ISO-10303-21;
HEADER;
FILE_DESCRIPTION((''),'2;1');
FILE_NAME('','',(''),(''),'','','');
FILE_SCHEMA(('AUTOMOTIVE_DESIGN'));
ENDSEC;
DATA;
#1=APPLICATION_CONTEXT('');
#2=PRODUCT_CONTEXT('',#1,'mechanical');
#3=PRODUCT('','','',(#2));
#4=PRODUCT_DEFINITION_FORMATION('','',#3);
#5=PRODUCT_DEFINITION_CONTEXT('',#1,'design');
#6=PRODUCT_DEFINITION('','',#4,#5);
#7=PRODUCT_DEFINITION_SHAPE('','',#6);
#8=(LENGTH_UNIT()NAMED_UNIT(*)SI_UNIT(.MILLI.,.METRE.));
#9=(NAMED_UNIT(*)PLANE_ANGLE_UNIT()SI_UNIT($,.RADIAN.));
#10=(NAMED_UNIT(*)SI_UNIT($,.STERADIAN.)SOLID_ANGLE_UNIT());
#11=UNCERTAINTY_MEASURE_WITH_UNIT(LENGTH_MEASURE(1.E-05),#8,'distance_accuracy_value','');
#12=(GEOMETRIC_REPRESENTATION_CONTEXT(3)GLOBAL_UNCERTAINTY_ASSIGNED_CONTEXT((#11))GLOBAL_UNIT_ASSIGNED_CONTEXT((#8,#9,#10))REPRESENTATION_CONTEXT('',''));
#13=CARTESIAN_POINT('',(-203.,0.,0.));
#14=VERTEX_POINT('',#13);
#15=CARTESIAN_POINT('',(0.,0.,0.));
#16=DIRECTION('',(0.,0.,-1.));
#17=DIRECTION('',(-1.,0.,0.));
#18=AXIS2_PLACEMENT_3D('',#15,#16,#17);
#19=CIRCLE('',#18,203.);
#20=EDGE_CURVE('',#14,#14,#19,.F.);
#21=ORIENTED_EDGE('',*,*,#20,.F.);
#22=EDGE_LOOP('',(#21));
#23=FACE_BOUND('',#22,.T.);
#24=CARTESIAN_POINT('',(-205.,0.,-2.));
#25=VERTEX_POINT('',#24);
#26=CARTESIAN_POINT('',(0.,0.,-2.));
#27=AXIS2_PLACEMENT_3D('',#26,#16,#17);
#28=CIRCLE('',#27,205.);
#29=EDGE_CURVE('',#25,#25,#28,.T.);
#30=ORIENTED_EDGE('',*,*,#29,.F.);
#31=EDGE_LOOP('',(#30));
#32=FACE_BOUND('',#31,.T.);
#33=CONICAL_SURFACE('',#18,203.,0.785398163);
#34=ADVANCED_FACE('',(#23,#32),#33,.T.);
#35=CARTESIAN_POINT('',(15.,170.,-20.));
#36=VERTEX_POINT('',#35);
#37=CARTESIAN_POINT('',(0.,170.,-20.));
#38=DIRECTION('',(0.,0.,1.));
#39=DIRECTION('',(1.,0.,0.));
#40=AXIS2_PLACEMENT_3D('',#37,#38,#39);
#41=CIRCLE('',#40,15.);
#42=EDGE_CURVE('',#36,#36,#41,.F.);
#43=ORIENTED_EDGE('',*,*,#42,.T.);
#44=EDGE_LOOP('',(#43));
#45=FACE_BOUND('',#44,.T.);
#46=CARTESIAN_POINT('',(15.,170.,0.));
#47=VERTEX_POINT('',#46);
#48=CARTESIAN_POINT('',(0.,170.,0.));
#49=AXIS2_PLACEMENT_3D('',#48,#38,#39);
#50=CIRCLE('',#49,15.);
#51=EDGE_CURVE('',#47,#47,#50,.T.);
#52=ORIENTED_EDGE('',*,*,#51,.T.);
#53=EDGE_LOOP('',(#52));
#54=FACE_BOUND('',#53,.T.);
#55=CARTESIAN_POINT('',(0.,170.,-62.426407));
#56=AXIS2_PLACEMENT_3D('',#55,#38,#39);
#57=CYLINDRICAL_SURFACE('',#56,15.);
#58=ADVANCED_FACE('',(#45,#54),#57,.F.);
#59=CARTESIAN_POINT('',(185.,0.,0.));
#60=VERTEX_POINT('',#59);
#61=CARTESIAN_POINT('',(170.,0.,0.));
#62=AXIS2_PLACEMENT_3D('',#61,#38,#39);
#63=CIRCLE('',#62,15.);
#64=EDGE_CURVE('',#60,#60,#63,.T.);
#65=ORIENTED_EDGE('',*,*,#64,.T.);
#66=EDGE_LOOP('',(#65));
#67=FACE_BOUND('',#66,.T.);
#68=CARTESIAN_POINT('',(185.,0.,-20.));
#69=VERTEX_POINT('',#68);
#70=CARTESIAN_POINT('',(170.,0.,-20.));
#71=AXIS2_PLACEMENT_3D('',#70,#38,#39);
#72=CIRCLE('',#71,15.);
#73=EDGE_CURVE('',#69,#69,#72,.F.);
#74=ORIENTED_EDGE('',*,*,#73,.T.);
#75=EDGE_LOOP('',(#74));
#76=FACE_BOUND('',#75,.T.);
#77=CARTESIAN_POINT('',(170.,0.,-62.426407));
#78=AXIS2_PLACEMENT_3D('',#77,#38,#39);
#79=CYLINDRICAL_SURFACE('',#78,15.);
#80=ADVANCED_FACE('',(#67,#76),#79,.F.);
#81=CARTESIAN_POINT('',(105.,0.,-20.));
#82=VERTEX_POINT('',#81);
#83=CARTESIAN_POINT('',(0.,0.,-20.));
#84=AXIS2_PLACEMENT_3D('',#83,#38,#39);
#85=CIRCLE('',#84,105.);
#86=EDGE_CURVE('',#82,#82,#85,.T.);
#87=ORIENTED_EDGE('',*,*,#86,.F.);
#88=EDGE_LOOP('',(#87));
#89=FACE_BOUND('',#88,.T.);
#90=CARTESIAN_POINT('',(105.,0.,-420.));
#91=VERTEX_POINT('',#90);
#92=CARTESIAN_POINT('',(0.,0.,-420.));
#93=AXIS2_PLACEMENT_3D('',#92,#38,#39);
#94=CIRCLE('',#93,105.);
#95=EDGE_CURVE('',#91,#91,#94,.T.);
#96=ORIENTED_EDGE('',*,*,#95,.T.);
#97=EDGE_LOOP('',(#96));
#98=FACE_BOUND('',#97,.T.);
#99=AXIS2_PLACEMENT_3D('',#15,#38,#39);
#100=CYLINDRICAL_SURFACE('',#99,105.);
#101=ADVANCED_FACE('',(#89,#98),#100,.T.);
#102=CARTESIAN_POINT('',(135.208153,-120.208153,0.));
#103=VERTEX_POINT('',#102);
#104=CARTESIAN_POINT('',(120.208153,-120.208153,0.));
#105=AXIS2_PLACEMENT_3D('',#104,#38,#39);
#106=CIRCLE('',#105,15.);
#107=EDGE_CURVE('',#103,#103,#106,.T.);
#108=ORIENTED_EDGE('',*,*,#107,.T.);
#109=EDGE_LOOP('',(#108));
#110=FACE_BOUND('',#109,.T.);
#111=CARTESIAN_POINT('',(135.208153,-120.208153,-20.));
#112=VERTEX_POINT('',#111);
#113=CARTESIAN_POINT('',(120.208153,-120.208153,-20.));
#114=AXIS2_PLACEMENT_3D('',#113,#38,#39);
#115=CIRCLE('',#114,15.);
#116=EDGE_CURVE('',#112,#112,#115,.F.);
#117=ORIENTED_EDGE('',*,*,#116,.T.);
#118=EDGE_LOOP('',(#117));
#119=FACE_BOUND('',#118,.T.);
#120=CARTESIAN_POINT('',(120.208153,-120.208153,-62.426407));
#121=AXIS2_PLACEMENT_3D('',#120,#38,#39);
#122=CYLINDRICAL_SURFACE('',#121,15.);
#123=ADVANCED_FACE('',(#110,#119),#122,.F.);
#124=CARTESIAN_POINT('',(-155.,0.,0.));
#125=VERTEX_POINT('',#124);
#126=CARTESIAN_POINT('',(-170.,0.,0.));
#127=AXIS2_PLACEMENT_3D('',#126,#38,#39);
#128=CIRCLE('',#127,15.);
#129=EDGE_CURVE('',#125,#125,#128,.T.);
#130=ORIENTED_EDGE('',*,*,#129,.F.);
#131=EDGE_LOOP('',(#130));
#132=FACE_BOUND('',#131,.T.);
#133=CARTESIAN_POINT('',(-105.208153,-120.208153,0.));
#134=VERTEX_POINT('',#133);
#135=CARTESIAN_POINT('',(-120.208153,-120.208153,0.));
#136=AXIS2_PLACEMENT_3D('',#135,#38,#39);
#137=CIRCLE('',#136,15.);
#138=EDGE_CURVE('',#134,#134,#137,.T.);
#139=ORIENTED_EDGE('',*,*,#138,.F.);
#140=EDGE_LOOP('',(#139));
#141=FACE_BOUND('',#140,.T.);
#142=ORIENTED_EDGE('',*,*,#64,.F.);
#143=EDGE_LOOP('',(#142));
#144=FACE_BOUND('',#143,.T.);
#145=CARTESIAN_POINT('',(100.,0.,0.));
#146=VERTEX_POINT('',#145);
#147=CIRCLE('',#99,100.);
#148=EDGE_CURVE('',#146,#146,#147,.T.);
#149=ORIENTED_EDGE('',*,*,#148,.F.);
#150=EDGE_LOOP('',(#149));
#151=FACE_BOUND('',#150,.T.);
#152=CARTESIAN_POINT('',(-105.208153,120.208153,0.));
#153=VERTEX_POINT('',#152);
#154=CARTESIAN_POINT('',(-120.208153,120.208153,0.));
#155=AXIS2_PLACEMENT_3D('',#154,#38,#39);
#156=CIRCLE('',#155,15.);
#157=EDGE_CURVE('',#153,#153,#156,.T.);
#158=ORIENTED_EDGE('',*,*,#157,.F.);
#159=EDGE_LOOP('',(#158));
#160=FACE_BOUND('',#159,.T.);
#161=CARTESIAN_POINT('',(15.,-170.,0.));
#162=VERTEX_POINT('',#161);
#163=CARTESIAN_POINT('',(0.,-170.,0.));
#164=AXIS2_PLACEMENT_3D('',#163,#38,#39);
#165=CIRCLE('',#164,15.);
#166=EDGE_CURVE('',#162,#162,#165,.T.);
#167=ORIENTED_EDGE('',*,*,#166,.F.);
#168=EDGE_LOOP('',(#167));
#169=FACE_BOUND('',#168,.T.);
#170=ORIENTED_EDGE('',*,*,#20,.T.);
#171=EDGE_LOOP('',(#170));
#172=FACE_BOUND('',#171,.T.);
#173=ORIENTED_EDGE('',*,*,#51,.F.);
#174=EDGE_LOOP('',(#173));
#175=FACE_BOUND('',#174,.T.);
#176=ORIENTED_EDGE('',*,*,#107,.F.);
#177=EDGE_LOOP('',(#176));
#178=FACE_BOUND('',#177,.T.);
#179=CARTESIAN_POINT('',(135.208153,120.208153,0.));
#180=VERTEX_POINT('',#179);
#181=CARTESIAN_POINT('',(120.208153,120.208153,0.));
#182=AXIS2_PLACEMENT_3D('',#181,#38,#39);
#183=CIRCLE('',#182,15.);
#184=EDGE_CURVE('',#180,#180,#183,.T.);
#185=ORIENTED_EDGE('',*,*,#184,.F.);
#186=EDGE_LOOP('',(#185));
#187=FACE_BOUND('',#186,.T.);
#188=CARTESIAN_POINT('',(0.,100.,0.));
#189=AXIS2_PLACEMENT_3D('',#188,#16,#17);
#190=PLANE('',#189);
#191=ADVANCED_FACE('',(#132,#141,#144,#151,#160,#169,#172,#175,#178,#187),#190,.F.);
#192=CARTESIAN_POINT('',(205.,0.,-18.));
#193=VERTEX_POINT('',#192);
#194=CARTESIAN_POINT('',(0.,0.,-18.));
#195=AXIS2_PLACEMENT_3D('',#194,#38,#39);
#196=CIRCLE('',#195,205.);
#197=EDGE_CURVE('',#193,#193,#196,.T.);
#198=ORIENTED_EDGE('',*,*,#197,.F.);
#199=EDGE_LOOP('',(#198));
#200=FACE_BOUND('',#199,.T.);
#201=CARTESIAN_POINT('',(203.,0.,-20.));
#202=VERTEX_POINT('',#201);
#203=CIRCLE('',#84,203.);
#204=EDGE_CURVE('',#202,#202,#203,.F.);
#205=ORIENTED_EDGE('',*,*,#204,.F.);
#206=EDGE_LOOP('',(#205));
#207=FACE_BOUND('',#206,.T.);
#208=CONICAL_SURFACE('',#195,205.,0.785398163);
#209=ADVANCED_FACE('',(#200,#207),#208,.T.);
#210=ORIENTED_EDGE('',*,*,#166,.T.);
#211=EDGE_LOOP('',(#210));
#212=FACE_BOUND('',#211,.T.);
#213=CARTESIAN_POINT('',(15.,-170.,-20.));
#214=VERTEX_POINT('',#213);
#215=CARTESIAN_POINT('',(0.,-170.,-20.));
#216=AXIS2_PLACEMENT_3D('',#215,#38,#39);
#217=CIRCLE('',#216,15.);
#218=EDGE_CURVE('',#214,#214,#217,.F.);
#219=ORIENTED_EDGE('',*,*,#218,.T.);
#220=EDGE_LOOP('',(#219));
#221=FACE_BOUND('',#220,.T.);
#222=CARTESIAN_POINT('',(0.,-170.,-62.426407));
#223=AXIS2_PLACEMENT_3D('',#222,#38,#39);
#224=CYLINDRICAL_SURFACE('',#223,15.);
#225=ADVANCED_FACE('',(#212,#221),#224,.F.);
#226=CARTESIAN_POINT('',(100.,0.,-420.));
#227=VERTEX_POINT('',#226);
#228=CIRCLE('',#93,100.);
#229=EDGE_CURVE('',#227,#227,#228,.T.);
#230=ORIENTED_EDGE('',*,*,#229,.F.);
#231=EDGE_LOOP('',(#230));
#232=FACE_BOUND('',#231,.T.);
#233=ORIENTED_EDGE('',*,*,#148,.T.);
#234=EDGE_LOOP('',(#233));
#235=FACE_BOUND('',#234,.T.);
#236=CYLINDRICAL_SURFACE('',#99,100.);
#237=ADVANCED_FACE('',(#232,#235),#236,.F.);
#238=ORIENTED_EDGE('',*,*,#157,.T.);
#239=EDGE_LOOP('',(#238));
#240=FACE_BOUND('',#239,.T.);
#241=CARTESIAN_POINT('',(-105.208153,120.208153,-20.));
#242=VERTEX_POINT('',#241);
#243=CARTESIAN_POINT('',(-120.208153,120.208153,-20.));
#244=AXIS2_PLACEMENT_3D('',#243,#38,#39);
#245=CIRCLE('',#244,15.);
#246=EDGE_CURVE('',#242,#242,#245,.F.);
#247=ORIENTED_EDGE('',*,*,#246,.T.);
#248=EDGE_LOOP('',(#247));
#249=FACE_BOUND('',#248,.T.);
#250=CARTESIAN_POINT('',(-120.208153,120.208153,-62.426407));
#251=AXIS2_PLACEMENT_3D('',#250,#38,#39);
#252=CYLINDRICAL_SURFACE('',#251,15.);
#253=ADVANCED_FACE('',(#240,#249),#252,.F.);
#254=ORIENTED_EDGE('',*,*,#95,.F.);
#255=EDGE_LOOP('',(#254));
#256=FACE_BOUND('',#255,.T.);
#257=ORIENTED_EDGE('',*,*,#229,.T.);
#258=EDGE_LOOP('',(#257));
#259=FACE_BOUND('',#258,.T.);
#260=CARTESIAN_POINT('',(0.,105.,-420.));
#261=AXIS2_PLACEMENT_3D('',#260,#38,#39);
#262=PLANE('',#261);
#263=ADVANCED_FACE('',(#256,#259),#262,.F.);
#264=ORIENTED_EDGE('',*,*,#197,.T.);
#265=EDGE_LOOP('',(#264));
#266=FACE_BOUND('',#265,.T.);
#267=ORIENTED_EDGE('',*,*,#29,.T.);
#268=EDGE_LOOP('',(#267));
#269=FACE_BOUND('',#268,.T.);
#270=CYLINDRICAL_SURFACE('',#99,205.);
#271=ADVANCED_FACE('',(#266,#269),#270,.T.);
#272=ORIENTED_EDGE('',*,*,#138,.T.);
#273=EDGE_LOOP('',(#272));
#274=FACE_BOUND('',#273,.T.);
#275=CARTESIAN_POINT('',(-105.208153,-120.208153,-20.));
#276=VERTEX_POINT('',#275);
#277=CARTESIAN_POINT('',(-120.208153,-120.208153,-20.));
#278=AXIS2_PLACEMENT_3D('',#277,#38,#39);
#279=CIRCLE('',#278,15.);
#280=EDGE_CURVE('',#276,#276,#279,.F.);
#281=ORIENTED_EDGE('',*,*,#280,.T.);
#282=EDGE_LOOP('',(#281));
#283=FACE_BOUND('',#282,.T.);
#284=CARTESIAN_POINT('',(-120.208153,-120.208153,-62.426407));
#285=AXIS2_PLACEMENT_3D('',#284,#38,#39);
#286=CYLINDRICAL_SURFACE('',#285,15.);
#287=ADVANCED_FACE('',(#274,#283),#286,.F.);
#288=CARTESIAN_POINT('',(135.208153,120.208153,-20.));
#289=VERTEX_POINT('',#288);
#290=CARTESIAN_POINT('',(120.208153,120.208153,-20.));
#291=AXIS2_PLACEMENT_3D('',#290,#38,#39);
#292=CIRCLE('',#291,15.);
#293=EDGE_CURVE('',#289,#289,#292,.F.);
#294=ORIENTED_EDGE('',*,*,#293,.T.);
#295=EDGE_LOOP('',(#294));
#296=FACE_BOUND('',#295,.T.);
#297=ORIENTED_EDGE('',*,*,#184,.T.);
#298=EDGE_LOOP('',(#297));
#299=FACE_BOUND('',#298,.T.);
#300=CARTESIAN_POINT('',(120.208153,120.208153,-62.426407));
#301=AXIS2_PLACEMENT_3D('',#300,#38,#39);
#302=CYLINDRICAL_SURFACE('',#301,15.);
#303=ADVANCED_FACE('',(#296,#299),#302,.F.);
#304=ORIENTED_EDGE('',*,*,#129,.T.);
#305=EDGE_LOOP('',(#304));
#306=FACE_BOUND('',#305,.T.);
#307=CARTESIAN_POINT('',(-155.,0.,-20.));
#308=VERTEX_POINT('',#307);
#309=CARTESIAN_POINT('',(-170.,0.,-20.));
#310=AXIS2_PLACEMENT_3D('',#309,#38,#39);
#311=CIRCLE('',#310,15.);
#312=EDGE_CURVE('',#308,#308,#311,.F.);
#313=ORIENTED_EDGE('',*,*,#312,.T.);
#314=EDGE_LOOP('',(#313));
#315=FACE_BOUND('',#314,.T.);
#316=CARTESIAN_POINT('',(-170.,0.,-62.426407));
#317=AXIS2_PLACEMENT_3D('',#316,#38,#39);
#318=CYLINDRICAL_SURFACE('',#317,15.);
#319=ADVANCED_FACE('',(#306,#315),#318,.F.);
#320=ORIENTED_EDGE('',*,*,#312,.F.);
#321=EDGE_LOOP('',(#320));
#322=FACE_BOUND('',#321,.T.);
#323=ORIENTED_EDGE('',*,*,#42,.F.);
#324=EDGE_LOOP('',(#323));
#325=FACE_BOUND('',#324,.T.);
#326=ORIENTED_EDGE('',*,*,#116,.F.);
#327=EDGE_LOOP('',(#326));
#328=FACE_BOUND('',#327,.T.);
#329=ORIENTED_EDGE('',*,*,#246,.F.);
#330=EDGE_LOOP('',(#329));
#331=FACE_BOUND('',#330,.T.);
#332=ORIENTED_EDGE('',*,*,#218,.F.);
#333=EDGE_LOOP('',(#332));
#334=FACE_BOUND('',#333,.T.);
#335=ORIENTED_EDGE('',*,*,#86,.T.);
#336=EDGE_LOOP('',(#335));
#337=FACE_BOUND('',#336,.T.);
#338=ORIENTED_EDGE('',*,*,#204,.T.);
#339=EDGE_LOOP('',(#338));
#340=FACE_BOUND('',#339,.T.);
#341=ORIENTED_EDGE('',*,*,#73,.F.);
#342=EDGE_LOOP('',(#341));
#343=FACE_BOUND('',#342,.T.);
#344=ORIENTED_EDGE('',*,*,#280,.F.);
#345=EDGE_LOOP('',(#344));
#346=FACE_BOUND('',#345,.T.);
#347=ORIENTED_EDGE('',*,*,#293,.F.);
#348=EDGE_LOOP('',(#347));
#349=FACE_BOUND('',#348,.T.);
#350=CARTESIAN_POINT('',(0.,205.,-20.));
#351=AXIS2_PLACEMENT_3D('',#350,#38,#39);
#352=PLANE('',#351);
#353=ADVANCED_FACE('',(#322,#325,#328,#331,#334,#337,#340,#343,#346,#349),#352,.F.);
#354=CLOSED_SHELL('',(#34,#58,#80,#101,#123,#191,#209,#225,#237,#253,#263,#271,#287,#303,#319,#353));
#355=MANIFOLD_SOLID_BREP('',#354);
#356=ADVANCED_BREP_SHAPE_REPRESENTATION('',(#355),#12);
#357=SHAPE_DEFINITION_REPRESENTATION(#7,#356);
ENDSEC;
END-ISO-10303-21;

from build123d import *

# Parameters (mm, degrees)
SKETCH2_R          = 15
CUT_EXTRUDE1_DEPTH = 20
CHAMFER1_SIZE      = 2


with BuildPart() as part:
    # Sketch1 → Revolve1 (revolve)
    with BuildSketch(Plane(origin=(0, 0, 0), x_dir=(0, 0, -1), z_dir=(1, 0, 0)), mode=Mode.PRIVATE) as revolve1_sk:
        Polygon((0, 100), (0, 205), (20, 205), (20, 105), (420, 105), (420, 100), align=None)
    revolve(revolve1_sk.sketch.rotate(Axis((0, 0, 0), (0, 0, -1)), 90), axis=Axis((0, 0, 0), (0, 0, -1)))

    # Sketch2 → Cut-Extrude1 (cut)
    with BuildSketch(Plane.XY):
        with Locations((0, 170)):
            Circle(SKETCH2_R)
        with Locations((120.208152802, 120.208152802)):
            Circle(SKETCH2_R)
        with Locations((170, 0)):
            Circle(SKETCH2_R)
        with Locations((120.208152802, -120.208152802)):
            Circle(SKETCH2_R)
        with Locations((0, -170)):
            Circle(SKETCH2_R)
        with Locations((-120.208152802, -120.208152802)):
            Circle(SKETCH2_R)
        with Locations((-170, 0)):
            Circle(SKETCH2_R)
        with Locations((-120.208152802, 120.208152802)):
            Circle(SKETCH2_R)
    extrude(amount=-CUT_EXTRUDE1_DEPTH, mode=Mode.SUBTRACT)

    # Chamfer1
    chamfer1_edges = [part.edges().sort_by_distance(p)[0] for p in [
        (-205, 0, -20),
        (-205, 0, 0),
    ]]
    chamfer(chamfer1_edges, length=CHAMFER1_SIZE)


solid = part.part
